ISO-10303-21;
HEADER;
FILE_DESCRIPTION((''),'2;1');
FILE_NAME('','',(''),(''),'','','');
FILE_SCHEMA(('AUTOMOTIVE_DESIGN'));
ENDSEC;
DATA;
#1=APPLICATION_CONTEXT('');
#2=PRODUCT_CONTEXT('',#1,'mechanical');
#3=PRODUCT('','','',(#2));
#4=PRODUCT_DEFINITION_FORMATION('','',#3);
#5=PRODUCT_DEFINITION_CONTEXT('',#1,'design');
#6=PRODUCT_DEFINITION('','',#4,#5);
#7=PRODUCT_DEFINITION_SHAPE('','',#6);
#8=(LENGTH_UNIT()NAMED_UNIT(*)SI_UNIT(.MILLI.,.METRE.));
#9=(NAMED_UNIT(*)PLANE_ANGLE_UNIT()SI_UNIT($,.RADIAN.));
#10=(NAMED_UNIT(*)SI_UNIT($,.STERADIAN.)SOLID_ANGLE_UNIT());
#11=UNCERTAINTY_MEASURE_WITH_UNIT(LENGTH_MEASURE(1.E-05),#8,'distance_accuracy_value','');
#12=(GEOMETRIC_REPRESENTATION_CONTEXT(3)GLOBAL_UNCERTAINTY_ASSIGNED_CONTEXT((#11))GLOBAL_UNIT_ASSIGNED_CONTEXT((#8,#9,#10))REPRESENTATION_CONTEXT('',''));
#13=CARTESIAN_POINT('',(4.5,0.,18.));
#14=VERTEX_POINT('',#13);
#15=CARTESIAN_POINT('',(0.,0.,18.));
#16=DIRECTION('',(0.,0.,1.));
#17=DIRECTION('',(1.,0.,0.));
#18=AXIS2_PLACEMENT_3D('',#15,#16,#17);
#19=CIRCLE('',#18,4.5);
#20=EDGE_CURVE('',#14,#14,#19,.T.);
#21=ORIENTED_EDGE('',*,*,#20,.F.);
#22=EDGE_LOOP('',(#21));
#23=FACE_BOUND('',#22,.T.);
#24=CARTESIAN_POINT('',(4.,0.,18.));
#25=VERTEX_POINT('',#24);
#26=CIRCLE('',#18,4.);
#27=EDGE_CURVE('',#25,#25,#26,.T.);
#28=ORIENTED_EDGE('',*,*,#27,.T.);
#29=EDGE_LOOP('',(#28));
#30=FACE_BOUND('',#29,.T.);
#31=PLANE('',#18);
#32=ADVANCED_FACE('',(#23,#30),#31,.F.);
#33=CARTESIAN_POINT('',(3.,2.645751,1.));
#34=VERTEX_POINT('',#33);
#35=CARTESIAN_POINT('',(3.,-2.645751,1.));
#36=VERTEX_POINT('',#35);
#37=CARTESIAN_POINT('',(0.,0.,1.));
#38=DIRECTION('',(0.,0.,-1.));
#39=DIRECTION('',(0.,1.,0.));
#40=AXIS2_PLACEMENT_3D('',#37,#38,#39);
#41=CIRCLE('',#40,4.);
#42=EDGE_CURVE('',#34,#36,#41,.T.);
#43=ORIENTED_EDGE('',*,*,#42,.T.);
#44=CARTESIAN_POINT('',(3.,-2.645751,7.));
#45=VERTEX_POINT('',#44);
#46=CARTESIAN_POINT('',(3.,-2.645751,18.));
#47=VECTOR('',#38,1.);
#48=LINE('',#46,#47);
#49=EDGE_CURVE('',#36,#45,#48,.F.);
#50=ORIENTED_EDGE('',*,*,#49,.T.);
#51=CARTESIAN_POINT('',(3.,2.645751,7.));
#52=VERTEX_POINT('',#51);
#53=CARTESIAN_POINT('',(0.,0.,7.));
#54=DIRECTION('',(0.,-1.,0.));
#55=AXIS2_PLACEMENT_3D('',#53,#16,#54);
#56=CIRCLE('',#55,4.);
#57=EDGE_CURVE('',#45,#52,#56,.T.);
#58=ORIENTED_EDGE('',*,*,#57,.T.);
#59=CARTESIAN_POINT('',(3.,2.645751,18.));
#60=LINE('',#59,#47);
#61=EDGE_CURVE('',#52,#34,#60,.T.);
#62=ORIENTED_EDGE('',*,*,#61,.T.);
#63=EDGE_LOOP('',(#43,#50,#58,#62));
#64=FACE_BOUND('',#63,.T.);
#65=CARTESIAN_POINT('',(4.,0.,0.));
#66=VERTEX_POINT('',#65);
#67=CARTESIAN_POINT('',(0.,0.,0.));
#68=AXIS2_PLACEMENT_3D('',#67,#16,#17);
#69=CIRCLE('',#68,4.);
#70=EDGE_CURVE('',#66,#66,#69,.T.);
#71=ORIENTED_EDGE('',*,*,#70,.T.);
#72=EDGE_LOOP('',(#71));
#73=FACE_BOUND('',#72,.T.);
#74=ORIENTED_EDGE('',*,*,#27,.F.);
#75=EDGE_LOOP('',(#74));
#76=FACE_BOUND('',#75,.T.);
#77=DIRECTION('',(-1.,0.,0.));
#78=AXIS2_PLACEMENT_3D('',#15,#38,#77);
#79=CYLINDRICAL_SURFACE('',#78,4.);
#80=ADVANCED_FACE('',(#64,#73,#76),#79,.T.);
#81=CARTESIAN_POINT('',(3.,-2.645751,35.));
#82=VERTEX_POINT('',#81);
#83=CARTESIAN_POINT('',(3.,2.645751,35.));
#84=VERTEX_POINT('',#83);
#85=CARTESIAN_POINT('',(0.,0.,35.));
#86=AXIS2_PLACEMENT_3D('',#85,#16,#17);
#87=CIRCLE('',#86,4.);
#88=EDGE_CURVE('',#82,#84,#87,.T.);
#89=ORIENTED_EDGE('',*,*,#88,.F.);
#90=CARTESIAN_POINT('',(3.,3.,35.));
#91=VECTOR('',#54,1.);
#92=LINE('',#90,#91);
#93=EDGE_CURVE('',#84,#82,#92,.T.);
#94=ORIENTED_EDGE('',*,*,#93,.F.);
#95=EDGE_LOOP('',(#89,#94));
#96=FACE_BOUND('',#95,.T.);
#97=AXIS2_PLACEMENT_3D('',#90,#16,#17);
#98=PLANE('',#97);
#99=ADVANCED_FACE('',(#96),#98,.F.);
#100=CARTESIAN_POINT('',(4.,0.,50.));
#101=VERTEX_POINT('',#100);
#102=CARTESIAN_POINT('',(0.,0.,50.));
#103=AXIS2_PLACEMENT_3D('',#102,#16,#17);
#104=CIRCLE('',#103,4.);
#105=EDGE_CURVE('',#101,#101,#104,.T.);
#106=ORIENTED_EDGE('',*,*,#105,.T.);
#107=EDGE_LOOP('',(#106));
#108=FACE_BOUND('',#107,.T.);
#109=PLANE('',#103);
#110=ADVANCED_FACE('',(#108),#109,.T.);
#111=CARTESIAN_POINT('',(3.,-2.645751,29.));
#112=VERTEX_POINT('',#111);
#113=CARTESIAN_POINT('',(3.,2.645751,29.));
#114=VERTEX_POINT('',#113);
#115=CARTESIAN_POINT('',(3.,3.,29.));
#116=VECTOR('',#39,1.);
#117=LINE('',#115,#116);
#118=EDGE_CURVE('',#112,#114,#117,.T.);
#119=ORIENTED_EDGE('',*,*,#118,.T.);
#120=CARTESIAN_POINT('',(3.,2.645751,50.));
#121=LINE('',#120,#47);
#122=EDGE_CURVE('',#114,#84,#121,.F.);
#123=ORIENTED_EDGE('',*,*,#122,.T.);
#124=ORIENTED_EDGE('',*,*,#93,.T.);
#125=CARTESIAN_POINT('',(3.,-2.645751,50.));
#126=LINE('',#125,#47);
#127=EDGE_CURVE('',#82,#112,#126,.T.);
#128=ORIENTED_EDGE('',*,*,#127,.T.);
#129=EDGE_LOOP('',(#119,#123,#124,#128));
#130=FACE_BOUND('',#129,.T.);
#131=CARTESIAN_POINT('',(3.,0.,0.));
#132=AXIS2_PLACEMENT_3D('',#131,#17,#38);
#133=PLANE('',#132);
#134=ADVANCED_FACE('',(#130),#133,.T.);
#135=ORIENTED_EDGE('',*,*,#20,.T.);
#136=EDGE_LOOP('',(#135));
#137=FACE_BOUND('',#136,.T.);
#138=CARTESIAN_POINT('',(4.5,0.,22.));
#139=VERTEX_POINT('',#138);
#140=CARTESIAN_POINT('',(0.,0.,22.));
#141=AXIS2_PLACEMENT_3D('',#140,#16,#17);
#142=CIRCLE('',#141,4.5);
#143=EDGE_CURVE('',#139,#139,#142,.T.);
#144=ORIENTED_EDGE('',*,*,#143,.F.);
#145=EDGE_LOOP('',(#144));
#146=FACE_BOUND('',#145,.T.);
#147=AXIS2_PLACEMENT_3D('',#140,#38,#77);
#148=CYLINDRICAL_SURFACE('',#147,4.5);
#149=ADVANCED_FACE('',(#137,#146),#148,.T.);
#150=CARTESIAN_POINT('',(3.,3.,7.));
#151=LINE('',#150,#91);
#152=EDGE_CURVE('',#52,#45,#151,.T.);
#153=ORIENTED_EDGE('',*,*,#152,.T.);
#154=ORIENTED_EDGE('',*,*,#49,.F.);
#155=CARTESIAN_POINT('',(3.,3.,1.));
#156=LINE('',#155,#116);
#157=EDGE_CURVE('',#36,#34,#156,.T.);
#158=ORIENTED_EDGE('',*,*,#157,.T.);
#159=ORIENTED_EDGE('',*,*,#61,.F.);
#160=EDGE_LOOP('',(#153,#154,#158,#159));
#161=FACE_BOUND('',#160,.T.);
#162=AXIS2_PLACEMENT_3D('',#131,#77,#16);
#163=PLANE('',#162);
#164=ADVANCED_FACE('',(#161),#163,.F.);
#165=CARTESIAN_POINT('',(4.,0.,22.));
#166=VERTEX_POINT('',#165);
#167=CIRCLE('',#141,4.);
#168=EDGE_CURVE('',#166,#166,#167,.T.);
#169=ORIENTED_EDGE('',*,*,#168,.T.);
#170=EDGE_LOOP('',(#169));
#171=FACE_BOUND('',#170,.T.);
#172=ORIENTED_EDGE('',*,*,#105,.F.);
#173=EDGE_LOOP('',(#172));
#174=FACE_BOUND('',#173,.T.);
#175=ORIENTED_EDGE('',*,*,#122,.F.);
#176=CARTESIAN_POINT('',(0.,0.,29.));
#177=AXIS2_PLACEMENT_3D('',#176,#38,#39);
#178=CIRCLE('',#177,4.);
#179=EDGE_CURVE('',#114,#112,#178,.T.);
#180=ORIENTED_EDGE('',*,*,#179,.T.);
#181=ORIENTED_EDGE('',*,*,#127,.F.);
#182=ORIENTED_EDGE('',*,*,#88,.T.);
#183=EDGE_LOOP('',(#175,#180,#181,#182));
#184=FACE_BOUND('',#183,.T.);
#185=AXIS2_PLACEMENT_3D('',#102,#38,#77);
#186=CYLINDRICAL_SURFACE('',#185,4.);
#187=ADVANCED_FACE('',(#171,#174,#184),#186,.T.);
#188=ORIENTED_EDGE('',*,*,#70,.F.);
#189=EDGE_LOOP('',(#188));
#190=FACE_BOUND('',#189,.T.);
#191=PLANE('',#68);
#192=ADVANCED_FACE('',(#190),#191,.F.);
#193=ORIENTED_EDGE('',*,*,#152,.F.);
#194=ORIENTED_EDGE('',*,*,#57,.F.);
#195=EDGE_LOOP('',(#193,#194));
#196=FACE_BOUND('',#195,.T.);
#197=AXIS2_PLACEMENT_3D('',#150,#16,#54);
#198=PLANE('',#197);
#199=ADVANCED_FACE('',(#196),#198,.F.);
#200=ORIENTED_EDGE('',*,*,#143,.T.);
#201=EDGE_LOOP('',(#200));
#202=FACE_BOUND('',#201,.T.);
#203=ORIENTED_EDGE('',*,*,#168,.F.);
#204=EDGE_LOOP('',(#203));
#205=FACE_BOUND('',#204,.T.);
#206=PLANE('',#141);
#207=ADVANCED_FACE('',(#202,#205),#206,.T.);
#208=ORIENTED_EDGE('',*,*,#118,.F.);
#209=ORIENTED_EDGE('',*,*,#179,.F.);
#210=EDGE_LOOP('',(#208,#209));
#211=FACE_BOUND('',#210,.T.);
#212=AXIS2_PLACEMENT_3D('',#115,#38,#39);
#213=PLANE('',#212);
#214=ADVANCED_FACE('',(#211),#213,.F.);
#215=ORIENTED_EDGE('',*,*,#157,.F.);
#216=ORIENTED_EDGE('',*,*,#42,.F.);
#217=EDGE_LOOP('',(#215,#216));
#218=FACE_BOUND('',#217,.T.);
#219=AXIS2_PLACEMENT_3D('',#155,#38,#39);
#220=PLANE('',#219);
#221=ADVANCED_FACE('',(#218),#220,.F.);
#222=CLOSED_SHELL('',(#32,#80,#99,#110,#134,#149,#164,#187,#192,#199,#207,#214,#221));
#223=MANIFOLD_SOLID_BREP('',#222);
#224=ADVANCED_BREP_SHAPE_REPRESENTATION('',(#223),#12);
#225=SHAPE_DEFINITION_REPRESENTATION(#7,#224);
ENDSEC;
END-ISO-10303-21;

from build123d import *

# Parameters (mm, degrees)
SKETCH_1_R          = 4
EXTRUDE_1_DEPTH     = 18
SKETCH_2_R          = 4.5
EXTRUDE_2_DEPTH     = 4
SKETCH_3_R          = 4
EXTRUDE_3_DEPTH     = 28
SKETCH_4_W          = 6
SKETCH_4_H          = 6
CUT_EXTRUDE_1_DEPTH = 1
SKETCH_5_W          = 6
SKETCH_5_H          = 6
CUT_EXTRUDE_2_DEPTH = 1


with BuildPart() as part:
    # 草圖1 → 填料-伸長1 (new body)
    with BuildSketch(Plane.XY):
        Circle(SKETCH_1_R)
    extrude(amount=EXTRUDE_1_DEPTH)

    # 草圖2 → 填料-伸長2 (add)
    with BuildSketch(Plane.XY.offset(18)):
        Circle(SKETCH_2_R)
    extrude(amount=EXTRUDE_2_DEPTH)

    # 草圖3 → 填料-伸長3 (add)
    with BuildSketch(Plane.XY.offset(22)):
        Circle(SKETCH_3_R)
    extrude(amount=EXTRUDE_3_DEPTH)

    # 草圖4 → 除料-伸長1 (cut)
    with BuildSketch(Plane(origin=(4, 0, 0), x_dir=(0, 0, -1), z_dir=(1, 0, 0))):
        with Locations((-32, 0)):
            Rectangle(SKETCH_4_W, SKETCH_4_H)
    extrude(amount=-CUT_EXTRUDE_1_DEPTH, mode=Mode.SUBTRACT)

    # 草圖5 → 除料-伸長2 (cut)
    with BuildSketch(Plane(origin=(4, 0, 0), x_dir=(0, 0, -1), z_dir=(1, 0, 0))):
        with Locations((-4, 0)):
            Rectangle(SKETCH_5_W, SKETCH_5_H)
    extrude(amount=-CUT_EXTRUDE_2_DEPTH, mode=Mode.SUBTRACT)


solid = part.part
